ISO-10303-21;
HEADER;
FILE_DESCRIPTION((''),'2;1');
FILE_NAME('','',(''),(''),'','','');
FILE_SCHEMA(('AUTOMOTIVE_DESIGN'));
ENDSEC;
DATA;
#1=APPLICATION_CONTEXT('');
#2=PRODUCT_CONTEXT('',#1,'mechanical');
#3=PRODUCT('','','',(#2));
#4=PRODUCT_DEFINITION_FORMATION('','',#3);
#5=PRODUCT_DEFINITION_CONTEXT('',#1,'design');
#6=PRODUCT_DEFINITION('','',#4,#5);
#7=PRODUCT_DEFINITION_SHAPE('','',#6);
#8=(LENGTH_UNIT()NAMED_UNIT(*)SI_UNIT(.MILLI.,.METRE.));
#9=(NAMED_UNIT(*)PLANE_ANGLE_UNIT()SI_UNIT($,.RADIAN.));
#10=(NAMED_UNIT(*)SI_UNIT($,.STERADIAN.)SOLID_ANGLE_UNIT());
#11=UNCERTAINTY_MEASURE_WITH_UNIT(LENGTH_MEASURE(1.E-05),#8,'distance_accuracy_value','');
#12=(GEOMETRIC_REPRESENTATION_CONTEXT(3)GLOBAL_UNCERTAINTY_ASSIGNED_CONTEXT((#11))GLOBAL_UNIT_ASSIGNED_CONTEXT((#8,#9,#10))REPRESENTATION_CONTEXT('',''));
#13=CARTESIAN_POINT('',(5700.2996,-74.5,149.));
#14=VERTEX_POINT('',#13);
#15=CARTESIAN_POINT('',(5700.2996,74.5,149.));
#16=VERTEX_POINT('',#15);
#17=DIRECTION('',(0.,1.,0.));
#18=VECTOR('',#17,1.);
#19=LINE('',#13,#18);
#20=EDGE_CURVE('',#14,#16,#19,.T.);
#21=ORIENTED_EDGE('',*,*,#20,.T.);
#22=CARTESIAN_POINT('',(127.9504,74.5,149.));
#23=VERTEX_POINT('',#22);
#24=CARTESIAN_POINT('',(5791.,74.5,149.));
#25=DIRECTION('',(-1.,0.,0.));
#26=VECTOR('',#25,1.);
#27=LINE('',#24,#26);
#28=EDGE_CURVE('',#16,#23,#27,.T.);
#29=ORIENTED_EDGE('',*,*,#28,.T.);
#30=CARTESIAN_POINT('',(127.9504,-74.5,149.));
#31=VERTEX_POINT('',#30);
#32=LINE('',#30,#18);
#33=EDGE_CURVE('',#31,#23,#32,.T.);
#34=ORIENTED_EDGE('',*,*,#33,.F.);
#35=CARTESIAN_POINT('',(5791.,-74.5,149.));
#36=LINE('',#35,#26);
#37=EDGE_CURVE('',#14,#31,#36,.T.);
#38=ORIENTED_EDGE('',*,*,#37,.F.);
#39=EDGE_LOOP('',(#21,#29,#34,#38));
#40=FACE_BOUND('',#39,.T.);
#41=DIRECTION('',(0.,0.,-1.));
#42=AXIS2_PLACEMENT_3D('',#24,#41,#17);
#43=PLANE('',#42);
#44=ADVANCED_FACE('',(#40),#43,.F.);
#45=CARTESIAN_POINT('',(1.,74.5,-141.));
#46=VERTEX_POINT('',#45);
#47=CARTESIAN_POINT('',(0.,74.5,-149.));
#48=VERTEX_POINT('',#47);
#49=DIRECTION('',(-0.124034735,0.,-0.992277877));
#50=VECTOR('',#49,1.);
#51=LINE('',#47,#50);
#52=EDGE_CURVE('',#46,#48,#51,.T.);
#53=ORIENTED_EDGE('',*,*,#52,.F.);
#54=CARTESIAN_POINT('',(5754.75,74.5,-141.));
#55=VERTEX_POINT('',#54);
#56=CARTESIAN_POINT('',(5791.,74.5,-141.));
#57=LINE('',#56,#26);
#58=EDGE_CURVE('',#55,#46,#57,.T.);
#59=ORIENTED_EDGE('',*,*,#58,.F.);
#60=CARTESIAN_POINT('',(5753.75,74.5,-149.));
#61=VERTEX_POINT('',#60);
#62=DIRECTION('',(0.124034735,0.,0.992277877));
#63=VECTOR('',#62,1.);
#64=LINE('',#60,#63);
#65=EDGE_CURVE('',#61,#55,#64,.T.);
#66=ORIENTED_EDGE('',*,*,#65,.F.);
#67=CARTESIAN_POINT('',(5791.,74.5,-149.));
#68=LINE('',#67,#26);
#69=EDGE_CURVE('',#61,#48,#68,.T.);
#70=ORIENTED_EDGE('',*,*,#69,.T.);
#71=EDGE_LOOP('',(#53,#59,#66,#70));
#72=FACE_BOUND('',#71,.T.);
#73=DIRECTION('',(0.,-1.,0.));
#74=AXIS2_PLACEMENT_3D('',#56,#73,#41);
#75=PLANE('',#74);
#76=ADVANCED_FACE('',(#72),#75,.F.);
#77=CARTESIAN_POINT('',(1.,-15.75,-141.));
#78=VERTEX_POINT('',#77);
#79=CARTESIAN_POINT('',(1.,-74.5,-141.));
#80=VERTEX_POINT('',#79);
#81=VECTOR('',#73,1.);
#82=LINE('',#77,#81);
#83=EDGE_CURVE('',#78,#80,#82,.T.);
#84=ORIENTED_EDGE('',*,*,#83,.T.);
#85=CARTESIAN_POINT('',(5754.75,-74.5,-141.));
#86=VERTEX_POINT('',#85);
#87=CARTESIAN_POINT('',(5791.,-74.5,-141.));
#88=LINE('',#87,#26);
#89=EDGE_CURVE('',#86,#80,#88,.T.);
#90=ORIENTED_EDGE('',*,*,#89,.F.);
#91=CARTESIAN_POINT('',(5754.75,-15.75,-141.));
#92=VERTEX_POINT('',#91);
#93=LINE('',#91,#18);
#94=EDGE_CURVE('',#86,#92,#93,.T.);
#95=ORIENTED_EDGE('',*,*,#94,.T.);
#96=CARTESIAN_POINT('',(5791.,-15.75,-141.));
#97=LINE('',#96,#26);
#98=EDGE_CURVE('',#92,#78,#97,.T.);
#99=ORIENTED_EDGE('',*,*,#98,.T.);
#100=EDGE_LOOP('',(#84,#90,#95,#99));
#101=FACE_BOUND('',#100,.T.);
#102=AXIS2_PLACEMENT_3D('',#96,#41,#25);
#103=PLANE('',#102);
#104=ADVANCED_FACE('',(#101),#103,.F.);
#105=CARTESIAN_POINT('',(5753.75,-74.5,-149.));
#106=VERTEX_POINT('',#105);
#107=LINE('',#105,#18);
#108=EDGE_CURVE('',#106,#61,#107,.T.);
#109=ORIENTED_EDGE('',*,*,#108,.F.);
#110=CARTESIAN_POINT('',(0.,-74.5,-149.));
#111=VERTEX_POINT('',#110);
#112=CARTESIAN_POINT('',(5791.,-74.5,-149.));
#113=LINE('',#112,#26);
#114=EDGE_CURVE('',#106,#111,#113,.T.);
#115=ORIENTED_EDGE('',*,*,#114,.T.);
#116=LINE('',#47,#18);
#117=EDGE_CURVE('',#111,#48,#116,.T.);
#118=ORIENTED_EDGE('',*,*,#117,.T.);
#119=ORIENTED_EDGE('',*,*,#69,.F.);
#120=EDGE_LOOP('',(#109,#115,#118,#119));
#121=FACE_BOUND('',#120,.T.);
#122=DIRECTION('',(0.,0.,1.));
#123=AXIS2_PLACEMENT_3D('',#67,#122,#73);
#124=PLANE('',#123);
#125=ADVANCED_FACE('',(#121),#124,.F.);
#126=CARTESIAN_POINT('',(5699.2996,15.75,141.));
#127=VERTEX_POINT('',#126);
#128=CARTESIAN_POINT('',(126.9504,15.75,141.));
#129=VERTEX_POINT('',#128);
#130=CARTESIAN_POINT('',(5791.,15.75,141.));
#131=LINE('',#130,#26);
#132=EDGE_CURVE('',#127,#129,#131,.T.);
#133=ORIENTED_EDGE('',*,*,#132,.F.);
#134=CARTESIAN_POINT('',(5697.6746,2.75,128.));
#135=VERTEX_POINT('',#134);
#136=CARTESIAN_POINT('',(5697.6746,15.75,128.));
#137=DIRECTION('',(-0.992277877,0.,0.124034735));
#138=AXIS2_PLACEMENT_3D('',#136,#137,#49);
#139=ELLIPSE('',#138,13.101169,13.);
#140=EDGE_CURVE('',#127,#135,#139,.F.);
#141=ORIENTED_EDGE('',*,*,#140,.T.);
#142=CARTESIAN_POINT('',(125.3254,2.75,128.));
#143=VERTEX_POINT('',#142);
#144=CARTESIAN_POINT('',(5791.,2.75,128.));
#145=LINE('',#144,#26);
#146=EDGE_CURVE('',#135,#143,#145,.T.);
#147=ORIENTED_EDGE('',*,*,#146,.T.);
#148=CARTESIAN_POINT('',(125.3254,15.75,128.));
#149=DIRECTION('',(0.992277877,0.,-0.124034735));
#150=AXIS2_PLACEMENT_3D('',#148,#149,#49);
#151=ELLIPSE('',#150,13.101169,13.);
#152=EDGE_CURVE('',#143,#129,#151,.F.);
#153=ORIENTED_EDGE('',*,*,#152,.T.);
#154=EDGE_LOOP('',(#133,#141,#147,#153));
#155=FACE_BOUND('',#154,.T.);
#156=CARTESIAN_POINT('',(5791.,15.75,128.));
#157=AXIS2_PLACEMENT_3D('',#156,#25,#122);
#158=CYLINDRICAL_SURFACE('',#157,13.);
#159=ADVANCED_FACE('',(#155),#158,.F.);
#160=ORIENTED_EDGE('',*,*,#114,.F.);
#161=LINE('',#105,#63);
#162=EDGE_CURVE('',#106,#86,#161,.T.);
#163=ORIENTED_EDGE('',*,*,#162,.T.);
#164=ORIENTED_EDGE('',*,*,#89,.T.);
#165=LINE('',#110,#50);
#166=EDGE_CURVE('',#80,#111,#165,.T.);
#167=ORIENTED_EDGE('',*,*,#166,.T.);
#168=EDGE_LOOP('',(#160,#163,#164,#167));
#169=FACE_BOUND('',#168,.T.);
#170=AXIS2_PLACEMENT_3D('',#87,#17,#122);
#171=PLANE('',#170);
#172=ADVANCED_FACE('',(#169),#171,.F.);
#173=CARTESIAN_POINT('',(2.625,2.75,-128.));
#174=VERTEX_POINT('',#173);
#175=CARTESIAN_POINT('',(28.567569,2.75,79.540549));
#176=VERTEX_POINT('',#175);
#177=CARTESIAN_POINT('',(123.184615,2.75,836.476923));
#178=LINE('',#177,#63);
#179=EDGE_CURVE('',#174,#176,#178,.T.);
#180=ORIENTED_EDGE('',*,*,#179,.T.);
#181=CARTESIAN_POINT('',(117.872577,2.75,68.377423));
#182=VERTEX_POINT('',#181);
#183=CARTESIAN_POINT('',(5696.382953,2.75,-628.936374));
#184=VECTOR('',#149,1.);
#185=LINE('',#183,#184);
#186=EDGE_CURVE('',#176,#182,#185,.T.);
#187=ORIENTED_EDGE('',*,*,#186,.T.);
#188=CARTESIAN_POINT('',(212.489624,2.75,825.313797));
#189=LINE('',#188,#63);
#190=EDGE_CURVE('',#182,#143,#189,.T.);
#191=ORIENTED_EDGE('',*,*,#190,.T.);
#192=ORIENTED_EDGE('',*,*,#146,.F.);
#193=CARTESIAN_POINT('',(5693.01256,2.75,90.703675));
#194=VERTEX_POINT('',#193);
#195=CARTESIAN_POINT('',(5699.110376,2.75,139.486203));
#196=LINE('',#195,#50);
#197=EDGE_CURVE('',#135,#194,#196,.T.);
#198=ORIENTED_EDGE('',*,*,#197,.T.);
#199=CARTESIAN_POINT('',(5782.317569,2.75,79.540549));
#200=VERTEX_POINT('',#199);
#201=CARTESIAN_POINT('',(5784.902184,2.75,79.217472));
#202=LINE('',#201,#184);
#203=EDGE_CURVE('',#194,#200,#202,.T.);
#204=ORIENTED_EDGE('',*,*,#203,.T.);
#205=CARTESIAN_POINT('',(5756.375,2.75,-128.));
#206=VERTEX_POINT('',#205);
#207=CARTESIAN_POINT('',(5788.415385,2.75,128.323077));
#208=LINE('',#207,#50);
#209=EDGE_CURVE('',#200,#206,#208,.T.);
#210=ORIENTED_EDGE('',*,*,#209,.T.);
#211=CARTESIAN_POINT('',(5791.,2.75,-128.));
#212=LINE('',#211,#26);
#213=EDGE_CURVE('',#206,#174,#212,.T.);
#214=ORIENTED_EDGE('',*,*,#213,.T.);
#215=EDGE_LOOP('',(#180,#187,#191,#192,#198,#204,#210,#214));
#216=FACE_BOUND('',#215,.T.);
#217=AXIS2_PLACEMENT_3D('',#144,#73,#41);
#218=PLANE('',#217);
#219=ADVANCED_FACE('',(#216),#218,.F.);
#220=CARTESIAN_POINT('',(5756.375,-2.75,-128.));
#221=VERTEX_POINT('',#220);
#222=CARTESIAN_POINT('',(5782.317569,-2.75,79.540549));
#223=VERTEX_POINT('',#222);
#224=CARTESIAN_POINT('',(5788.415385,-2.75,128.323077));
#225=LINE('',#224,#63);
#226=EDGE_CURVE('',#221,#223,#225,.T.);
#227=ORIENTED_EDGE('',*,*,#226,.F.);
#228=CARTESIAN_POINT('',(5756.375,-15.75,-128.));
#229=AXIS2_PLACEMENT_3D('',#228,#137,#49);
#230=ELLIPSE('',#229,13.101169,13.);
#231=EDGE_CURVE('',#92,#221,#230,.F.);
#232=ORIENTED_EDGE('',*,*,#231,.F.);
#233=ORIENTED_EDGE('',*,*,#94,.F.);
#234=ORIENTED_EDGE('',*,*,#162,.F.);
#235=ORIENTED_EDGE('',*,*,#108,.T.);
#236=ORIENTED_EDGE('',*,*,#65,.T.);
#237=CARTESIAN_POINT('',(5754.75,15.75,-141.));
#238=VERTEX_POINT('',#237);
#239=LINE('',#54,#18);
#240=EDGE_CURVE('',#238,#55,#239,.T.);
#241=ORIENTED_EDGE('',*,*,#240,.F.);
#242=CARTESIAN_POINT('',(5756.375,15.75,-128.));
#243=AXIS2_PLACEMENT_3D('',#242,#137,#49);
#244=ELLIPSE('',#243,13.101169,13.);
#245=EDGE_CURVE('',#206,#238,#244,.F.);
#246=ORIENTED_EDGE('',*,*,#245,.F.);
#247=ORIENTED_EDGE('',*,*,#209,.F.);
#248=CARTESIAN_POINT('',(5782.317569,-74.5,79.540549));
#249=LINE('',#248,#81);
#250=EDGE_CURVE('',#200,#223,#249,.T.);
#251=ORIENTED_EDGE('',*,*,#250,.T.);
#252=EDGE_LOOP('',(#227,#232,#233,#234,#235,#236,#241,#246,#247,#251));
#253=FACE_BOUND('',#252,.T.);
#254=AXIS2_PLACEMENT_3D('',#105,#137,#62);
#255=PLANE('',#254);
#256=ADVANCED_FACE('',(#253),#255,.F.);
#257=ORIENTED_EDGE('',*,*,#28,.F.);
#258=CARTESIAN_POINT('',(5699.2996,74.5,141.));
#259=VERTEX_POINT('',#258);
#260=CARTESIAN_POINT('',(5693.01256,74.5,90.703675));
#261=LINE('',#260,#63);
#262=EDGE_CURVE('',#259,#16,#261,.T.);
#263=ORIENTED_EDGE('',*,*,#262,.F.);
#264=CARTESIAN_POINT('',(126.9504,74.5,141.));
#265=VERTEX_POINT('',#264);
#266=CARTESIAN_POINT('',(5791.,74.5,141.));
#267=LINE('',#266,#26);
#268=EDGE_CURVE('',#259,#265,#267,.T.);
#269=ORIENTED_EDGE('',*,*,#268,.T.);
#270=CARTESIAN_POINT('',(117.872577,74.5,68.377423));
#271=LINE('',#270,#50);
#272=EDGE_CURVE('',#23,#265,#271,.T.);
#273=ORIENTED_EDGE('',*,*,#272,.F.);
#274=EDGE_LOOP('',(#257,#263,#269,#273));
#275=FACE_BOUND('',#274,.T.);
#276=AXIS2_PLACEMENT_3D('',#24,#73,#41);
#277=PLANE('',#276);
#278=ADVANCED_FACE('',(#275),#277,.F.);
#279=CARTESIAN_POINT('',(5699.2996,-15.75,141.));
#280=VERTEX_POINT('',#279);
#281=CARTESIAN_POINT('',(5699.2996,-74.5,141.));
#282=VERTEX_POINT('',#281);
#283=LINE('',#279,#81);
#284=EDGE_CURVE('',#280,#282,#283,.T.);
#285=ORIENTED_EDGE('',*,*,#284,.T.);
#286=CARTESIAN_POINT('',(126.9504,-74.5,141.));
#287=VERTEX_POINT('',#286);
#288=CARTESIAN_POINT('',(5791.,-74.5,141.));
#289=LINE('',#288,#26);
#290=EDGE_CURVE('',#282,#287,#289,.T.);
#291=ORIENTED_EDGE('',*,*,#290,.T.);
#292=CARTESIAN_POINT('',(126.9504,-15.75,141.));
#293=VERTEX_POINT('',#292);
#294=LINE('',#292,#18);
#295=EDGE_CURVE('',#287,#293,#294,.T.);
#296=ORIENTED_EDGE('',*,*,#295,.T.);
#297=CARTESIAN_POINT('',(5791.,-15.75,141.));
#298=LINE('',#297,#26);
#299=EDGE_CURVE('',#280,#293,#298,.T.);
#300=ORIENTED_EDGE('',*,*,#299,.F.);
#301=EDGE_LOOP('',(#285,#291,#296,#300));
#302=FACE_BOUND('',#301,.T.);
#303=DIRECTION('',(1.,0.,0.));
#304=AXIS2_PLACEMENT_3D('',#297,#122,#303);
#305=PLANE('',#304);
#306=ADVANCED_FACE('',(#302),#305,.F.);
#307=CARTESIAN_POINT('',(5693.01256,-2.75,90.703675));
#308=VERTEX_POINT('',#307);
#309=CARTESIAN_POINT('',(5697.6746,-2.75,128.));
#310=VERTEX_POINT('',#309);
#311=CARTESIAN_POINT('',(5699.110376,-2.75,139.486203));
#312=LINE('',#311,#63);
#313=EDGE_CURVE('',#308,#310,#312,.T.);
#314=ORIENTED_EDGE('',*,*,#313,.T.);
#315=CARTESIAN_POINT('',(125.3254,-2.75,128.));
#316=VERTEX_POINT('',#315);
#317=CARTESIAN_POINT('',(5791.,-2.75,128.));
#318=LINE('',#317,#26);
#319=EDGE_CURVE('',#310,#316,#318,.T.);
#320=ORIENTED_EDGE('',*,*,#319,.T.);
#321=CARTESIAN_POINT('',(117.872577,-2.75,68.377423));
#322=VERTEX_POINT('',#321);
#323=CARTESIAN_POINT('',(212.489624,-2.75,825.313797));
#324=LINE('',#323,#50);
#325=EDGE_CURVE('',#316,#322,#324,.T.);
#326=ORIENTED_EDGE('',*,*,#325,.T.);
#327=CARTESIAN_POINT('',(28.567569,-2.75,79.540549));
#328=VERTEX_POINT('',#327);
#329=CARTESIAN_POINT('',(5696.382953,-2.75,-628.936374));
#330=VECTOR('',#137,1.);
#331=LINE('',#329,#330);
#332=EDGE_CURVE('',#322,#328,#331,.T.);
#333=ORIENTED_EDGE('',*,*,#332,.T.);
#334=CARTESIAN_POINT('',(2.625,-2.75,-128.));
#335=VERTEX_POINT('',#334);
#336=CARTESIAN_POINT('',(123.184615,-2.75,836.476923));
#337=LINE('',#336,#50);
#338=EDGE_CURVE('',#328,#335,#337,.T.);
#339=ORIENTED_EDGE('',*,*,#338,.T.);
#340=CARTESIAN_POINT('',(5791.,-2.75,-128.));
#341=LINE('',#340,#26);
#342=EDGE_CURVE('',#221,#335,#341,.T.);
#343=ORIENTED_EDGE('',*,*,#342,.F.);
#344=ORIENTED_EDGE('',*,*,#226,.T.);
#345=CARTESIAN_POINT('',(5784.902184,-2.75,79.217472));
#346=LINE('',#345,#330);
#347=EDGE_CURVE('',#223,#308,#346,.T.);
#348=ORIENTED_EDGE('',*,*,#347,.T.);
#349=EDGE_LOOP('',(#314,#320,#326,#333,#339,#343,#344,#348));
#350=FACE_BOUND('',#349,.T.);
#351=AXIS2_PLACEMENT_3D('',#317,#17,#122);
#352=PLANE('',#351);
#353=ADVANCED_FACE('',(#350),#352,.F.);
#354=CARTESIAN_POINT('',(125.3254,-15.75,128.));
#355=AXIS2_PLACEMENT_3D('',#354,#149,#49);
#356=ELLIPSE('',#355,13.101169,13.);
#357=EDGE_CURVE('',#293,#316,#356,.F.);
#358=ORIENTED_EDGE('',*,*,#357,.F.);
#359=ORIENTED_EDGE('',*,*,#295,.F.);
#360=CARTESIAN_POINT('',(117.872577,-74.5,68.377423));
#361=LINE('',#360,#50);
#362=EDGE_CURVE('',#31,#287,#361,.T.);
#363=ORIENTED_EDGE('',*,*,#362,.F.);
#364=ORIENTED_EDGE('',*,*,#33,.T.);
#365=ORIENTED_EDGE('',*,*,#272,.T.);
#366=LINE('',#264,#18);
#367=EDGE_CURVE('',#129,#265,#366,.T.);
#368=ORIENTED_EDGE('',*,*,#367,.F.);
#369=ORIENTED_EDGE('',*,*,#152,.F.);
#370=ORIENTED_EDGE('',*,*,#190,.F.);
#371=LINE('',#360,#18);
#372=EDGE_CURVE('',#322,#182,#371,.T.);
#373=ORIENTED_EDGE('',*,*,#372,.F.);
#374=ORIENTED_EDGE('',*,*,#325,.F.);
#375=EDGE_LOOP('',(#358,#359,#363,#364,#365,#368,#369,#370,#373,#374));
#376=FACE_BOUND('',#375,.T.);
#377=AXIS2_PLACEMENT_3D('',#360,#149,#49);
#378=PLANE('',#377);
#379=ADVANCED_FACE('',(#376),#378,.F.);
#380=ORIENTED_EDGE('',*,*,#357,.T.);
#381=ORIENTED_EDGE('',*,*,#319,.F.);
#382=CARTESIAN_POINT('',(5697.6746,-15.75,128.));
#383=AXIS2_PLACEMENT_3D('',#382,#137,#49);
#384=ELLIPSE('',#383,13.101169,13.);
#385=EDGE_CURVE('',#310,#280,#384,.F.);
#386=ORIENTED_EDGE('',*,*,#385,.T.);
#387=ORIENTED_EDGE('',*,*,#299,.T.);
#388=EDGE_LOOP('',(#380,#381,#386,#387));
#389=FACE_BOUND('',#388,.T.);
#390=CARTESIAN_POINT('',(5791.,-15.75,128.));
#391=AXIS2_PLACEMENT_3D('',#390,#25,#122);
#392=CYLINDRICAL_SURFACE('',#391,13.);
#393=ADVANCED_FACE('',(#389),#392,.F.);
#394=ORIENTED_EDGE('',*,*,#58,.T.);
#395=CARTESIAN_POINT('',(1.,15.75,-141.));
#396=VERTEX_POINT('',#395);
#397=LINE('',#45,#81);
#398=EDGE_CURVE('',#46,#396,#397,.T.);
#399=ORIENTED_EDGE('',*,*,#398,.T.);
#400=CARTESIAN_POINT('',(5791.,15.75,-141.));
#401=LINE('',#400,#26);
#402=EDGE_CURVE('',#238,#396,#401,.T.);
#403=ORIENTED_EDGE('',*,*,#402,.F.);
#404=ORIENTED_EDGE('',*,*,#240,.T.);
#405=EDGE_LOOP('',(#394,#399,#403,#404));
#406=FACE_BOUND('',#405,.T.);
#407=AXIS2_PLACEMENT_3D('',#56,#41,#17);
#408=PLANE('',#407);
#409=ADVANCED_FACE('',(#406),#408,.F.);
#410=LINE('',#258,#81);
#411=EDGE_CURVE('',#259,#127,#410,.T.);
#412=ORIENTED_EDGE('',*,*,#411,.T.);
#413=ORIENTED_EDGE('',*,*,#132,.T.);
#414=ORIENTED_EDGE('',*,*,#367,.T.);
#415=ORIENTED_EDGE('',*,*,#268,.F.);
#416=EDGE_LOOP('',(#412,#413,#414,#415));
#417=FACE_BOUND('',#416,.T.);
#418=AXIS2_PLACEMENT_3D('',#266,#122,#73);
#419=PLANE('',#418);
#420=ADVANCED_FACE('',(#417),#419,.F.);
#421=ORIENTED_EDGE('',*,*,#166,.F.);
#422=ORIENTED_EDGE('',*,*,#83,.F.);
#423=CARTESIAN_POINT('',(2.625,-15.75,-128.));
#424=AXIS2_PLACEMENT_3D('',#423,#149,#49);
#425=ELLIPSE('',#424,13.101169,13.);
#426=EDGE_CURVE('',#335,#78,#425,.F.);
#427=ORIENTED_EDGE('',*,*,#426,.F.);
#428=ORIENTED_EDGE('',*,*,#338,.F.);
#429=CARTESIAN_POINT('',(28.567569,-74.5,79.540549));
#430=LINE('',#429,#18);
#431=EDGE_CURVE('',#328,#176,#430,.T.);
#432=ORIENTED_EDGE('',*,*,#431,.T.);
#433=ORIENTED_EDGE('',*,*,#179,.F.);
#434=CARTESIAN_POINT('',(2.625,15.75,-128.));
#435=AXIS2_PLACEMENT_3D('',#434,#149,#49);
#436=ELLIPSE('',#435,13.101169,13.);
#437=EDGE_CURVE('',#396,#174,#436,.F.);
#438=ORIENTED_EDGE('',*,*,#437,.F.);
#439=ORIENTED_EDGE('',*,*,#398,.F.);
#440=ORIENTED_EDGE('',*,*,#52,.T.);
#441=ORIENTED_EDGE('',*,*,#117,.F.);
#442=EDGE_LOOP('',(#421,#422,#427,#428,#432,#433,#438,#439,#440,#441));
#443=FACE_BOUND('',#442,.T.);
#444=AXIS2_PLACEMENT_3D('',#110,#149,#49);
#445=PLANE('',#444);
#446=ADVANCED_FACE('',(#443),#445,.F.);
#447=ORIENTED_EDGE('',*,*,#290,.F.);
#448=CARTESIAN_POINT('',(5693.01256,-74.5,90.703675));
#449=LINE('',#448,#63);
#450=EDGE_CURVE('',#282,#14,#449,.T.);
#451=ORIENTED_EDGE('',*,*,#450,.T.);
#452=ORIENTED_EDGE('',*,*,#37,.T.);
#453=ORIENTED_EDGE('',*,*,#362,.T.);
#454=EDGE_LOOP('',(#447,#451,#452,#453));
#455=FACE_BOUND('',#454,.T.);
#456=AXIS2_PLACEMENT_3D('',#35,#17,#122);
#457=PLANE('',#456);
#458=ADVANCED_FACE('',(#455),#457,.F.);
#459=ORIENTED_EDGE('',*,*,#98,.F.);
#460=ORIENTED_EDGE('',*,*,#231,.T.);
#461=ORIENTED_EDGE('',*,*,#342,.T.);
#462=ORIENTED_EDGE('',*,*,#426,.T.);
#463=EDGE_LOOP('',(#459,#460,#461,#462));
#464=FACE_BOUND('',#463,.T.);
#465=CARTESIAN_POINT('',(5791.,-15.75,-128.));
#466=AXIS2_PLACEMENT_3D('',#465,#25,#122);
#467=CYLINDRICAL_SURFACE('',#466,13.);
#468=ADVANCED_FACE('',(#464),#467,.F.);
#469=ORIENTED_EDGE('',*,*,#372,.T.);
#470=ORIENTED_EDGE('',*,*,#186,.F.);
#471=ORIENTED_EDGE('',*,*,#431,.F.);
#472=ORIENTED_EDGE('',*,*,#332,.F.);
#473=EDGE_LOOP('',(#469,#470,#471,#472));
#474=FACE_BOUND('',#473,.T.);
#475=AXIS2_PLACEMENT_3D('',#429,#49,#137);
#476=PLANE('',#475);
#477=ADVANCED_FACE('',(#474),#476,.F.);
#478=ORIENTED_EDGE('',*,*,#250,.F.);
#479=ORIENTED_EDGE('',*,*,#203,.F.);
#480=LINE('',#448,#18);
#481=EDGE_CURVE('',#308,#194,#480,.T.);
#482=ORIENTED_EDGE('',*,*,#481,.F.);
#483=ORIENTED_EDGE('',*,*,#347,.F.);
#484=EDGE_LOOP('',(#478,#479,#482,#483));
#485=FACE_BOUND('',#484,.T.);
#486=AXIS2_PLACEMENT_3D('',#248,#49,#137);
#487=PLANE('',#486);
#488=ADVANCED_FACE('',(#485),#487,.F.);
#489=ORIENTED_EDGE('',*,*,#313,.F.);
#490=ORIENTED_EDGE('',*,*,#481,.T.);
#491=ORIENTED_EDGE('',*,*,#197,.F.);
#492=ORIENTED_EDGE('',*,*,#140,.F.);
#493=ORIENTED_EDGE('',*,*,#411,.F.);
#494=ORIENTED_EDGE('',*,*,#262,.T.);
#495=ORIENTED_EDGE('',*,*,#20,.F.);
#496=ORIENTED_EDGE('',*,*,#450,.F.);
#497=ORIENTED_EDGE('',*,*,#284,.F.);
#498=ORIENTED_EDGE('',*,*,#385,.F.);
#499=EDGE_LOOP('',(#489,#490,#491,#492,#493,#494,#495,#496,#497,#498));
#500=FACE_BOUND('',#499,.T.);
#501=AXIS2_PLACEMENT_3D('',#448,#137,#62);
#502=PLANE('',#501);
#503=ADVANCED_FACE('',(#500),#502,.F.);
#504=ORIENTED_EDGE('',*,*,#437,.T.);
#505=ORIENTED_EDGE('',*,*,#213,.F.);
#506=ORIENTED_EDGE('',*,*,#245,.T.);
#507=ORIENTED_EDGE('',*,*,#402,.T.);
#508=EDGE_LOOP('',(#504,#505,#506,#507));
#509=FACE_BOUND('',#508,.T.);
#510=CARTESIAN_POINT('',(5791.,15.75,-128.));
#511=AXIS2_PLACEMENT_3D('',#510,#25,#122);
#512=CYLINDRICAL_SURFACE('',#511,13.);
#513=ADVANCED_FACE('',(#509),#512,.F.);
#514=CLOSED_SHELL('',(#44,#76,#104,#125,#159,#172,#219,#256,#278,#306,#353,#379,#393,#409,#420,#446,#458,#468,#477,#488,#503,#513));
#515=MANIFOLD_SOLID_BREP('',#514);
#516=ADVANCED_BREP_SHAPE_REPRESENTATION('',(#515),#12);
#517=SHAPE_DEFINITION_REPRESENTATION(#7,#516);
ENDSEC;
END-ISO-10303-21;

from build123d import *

# Parameters (mm, degrees)
MEMBER_30_1_1_DEPTH      = 5791
CUT_EXTRUDE_1_DEPTH      = 5795.832439338
CUT_EXTRUDE_2_DEPTH      = 5794.431587798
CUT_EXTRUDE_2_DEPTH_BACK = 5794.431587798


with BuildPart() as part:
    # Sketch11 → Member 30_1_1 (new body)
    with BuildSketch(Plane.YZ):
        with BuildLine():
            Line((-15.75, -141), (-74.5, -141))
            Line((-74.5, -141), (-74.5, -149))
            Line((-74.5, -149), (74.5, -149))
            Line((74.5, -149), (74.5, -141))
            Line((74.5, -141), (15.75, -141))
            ThreePointArc((15.75, -141), (6.557611845, -137.192388155), (2.75, -128))
            Line((2.75, -128), (2.75, 128))
            ThreePointArc((2.75, 128), (6.557611845, 137.192388155), (15.75, 141))
            Line((15.75, 141), (74.5, 141))
            Line((74.5, 141), (74.5, 149))
            Line((74.5, 149), (-74.5, 149))
            Line((-74.5, 149), (-74.5, 141))
            Line((-74.5, 141), (-15.75, 141))
            ThreePointArc((-15.75, 141), (-6.557611845, 137.192388155), (-2.75, 128))
            Line((-2.75, 128), (-2.75, -128))
            ThreePointArc((-2.75, -128), (-6.557611845, -137.192388155), (-15.75, -141))
        make_face()
    extrude(amount=MEMBER_30_1_1_DEPTH)

    # Эскиз3 → Вырез-Вытянуть1 (cut, through all)
    with BuildSketch(Plane(origin=(0, 74.5, 0), x_dir=(1, 0, 0), z_dir=(0, 1, 0))):
        Polygon((0, -149), (0, 149), (37.25, -149), align=None)
        Polygon((5791, -149), (5791, 149), (5753.75, 149), align=None)
    extrude(amount=-CUT_EXTRUDE_1_DEPTH, mode=Mode.SUBTRACT)

    # Эскиз5 → Вырез-Вытянуть2 (cut, two sides: drawn at the far end of the back side and taken through both)
    with BuildSketch(Plane(origin=(0, 2.75, 0), x_dir=(1, 0, 0), z_dir=(0, 1, 0)).offset(-CUT_EXTRUDE_2_DEPTH_BACK)):
        Polygon((28.567568579, -79.54054863), (117.872577483, -68.377422517), (127.950399668, -149), (37.25, -149), align=None)
        Polygon((5782.317568579, -79.54054863), (5693.012559675, -90.703674743), (5700.299600332, -149), (5791, -149), align=None)
    extrude(amount=CUT_EXTRUDE_2_DEPTH + CUT_EXTRUDE_2_DEPTH_BACK, mode=Mode.SUBTRACT)


solid = part.part
